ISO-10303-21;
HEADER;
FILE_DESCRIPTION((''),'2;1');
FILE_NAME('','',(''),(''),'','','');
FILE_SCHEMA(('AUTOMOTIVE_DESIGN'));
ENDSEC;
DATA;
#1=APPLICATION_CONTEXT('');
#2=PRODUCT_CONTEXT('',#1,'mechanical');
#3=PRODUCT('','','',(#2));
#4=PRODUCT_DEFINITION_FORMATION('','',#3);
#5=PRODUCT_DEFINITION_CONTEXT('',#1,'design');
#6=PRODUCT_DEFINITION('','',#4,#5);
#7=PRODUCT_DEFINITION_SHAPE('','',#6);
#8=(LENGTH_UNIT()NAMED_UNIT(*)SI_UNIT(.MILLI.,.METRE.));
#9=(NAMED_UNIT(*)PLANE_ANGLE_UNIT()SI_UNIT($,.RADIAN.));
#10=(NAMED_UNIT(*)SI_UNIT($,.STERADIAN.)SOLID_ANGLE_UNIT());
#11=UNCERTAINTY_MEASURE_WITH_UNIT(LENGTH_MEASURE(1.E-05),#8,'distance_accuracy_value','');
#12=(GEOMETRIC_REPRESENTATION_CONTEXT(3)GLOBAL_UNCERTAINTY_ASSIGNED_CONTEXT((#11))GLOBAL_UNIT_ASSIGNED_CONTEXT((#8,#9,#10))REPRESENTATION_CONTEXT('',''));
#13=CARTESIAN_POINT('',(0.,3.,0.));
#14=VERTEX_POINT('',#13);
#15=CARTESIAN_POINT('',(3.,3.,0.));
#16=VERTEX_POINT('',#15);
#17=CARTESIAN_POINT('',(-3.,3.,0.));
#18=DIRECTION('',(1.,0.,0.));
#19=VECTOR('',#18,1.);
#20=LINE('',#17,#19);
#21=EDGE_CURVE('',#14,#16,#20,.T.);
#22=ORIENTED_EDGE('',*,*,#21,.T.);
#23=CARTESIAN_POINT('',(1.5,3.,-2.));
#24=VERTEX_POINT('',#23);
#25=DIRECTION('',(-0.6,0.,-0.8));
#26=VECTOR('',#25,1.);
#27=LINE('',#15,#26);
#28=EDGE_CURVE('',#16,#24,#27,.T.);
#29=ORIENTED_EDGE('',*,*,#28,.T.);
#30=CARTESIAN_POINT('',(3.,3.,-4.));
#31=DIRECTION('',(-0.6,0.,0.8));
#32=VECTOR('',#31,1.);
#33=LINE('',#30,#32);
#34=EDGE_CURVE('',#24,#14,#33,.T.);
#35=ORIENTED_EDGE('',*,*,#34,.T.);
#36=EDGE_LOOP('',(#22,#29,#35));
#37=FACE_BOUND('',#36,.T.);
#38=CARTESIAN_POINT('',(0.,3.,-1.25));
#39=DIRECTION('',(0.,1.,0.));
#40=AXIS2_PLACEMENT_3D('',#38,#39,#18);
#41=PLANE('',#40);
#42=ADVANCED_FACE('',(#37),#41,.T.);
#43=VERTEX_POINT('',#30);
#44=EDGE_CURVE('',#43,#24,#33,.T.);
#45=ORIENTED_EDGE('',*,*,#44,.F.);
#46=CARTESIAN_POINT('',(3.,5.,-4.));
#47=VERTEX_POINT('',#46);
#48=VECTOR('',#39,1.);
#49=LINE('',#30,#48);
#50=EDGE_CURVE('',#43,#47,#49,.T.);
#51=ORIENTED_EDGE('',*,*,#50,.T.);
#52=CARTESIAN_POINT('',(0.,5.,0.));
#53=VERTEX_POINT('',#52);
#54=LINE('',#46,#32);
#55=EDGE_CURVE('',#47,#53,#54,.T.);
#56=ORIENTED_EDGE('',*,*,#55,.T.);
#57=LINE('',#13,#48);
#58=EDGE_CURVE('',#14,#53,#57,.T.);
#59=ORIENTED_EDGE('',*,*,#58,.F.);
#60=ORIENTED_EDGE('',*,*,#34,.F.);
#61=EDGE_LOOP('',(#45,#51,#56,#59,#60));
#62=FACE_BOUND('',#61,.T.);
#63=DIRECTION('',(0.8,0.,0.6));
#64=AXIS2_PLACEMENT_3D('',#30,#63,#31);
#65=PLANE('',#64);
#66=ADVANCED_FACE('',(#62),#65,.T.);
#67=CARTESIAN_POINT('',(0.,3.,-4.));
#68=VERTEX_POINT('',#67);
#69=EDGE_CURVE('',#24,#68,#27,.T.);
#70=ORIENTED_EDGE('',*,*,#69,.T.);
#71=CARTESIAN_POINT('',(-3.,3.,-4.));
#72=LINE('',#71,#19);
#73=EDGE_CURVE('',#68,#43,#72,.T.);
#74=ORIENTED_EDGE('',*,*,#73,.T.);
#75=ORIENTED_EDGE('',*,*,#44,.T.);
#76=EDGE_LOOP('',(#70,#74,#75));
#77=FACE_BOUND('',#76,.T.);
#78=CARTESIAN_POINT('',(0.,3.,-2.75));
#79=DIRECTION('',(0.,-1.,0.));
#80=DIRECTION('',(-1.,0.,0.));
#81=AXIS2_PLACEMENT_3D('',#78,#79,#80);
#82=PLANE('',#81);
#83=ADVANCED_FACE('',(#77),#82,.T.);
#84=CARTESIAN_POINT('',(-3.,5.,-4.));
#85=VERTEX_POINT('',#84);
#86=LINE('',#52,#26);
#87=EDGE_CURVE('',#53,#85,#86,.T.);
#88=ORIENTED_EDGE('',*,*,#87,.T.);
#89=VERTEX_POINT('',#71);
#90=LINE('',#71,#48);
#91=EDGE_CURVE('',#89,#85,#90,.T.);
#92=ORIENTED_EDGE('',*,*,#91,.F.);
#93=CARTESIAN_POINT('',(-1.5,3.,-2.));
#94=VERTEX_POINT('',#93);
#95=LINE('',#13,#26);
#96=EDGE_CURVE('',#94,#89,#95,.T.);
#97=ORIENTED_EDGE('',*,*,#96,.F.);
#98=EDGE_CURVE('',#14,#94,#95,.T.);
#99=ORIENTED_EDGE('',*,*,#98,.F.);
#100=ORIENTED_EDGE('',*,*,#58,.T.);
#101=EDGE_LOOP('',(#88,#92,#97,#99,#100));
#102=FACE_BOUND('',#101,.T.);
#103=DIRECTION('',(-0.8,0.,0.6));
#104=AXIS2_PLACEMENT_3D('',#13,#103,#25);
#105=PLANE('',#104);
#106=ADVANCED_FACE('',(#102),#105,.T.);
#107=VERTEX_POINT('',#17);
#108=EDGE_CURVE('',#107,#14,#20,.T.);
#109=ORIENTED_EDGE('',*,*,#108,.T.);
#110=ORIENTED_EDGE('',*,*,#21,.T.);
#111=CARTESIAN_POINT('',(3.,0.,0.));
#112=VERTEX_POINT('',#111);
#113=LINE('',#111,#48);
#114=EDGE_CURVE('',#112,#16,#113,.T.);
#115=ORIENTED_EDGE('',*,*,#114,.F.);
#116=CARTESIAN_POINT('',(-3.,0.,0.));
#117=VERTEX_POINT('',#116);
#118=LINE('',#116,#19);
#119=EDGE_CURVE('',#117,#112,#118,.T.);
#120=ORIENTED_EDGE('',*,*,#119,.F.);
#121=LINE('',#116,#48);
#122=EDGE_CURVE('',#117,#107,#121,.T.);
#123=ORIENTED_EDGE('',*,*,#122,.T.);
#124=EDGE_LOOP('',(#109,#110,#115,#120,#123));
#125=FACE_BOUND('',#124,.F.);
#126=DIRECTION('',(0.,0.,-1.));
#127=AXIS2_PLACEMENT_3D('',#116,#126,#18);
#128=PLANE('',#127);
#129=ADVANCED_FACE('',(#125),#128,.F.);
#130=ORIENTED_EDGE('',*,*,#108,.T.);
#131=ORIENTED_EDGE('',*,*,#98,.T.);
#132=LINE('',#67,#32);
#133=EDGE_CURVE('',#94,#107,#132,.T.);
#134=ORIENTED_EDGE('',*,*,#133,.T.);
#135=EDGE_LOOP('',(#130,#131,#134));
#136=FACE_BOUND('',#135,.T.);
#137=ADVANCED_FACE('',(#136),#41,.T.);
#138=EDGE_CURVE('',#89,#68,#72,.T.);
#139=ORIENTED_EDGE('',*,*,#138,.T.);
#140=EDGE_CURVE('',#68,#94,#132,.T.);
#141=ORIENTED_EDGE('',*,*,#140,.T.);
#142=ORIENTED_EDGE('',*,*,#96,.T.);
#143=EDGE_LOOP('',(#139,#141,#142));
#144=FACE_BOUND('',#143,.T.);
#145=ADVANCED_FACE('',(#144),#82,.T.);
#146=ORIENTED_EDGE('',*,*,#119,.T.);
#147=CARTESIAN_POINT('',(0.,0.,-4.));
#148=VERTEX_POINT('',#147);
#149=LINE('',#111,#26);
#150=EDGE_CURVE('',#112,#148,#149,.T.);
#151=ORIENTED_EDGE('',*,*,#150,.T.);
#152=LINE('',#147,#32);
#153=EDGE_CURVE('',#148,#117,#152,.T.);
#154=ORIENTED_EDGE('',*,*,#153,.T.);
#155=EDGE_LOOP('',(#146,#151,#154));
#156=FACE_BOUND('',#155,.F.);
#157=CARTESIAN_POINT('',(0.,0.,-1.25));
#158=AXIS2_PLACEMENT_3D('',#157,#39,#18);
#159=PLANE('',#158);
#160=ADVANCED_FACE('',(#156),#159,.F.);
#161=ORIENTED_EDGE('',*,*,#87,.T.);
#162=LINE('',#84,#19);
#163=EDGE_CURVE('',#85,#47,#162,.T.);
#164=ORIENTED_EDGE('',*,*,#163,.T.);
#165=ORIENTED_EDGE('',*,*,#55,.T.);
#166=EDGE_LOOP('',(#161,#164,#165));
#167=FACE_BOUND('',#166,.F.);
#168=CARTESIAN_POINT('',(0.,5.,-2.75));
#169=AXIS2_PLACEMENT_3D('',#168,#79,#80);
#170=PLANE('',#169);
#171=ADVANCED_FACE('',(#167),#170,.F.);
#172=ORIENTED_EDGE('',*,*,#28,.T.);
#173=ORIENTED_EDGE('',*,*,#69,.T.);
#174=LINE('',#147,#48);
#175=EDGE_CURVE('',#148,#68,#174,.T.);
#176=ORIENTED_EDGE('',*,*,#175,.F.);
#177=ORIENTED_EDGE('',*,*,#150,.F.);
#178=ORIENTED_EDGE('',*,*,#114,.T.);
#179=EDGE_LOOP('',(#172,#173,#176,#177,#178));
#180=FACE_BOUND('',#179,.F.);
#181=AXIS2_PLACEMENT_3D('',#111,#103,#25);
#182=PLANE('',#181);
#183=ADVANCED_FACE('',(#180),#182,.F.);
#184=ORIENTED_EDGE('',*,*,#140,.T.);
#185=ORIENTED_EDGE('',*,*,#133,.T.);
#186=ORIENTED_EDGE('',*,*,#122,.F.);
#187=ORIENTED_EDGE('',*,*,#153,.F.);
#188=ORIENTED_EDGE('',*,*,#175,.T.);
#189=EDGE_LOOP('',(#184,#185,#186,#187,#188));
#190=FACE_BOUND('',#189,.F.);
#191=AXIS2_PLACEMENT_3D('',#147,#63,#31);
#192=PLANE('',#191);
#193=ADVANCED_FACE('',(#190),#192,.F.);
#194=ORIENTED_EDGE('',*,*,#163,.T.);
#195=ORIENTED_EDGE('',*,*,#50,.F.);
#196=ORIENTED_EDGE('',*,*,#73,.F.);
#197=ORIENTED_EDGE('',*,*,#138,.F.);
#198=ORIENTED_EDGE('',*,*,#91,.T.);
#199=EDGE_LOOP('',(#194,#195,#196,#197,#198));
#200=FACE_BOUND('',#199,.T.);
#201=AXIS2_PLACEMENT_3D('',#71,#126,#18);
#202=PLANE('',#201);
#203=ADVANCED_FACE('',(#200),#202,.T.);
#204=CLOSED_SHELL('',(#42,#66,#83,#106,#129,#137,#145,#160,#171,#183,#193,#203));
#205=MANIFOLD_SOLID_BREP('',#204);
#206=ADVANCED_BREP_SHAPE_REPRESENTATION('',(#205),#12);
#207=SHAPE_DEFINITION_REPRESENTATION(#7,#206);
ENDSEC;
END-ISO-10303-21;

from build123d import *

# Parameters (mm, degrees)
BOSS_EXTRUDE1_DEPTH = 3
BOSS_EXTRUDE2_DEPTH = 2


with BuildPart() as part:
    # Sketch1 → Boss-Extrude1 (new body)
    with BuildSketch(Plane(origin=(0, 0, 0), x_dir=(1, 0, 0), z_dir=(0, 1, 0))):
        Polygon((0, 4), (-3, 0), (3, 0), align=None)
    extrude(amount=BOSS_EXTRUDE1_DEPTH)

    # Sketch2 → Boss-Extrude2 (add)
    with BuildSketch(Plane(origin=(0, 3, 0), x_dir=(1, 0, 0), z_dir=(0, 1, 0))):
        Polygon((0, 0), (-3, 4), (3, 4), align=None)
    extrude(amount=BOSS_EXTRUDE2_DEPTH)


solid = part.part
